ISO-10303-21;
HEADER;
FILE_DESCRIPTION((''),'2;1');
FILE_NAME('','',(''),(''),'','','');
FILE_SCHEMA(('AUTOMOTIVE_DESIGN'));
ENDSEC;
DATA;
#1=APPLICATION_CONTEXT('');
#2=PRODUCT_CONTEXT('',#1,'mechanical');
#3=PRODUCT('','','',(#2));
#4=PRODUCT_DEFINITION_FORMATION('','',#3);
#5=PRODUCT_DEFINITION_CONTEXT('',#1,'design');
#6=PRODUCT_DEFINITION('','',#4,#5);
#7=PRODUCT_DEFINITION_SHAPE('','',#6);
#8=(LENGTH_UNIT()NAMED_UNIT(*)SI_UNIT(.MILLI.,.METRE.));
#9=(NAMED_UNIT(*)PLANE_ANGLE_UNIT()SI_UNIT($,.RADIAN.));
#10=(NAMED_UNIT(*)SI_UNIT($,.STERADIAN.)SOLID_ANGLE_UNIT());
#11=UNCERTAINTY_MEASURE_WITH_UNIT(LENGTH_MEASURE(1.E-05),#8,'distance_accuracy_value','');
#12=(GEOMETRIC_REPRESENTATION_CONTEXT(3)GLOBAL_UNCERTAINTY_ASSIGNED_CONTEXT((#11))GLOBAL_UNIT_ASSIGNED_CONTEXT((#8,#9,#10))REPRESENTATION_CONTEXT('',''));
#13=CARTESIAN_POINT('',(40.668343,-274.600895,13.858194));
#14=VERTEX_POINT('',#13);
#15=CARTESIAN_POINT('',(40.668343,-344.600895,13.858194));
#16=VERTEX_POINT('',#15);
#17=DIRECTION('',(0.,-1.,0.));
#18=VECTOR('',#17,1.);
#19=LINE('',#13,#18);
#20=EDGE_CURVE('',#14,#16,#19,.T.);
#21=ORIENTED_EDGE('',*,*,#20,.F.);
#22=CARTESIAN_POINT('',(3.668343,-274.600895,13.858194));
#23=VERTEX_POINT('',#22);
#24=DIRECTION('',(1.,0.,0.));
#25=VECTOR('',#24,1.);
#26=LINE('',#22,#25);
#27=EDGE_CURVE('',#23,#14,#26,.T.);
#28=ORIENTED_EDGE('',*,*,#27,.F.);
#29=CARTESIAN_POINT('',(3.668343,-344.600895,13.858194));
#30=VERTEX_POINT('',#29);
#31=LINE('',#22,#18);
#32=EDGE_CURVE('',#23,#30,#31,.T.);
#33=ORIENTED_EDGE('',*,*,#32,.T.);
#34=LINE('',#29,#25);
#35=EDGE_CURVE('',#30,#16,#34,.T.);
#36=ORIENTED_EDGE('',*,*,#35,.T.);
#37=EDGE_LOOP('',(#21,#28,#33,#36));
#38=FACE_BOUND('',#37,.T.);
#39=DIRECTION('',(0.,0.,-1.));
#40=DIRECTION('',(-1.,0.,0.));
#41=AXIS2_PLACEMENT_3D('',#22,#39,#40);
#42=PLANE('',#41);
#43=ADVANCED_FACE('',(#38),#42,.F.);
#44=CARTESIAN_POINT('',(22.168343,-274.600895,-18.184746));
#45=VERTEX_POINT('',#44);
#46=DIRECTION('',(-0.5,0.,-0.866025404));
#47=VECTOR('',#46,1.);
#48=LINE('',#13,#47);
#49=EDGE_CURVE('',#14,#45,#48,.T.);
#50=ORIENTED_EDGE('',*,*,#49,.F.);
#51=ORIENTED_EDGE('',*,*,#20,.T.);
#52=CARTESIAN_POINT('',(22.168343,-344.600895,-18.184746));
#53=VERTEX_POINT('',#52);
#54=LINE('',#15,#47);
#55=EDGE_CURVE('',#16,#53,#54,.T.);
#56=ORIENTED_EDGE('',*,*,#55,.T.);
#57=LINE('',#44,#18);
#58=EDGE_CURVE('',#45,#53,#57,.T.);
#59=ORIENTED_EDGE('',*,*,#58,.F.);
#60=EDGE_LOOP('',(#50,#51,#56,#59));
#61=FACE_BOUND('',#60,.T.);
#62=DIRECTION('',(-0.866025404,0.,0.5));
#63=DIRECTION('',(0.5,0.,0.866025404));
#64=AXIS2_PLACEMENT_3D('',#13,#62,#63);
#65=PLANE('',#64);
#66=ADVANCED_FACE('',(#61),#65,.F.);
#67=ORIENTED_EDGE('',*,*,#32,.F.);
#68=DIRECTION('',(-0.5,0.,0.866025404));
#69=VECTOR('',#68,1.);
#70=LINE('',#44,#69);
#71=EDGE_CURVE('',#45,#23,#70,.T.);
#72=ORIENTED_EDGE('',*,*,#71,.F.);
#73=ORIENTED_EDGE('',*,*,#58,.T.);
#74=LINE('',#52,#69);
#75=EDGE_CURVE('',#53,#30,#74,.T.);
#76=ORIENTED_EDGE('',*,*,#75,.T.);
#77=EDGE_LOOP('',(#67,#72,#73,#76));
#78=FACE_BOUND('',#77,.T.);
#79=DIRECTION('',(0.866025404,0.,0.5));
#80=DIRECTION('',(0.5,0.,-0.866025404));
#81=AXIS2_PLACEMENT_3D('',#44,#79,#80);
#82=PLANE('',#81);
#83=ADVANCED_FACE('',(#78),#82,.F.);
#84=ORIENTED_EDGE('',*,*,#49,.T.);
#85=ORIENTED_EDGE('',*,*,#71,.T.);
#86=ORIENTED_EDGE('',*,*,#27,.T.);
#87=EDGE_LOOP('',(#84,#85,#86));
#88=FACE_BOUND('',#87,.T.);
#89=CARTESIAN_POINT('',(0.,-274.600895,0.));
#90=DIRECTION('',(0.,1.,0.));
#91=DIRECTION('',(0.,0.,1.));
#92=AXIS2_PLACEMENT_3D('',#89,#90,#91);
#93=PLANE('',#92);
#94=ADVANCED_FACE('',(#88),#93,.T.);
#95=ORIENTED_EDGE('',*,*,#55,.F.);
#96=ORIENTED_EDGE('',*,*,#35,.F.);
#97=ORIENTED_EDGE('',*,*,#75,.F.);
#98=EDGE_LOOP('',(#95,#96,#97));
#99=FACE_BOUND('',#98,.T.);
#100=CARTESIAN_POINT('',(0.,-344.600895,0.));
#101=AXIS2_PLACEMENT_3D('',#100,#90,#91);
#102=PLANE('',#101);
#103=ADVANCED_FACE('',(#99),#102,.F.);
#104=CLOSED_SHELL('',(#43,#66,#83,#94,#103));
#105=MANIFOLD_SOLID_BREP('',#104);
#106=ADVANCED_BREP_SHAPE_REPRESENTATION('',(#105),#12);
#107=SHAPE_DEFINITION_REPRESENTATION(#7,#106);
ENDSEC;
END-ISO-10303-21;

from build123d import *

# Parameters (mm, degrees)
EXTRUDE_1_DEPTH = 70


with BuildPart() as part:
    # 草图1 → 凸台-拉伸1 (new body)
    with BuildSketch(Plane(origin=(25.697299473, -344.600895184, 0), x_dir=(1, 0, 0), z_dir=(0, 1, 0))):
        Polygon((-3.528956009, 18.184745951), (-22.028956009, -13.858193989), (14.971043991, -13.858193989), align=None)
    extrude(amount=EXTRUDE_1_DEPTH)


solid = part.part
